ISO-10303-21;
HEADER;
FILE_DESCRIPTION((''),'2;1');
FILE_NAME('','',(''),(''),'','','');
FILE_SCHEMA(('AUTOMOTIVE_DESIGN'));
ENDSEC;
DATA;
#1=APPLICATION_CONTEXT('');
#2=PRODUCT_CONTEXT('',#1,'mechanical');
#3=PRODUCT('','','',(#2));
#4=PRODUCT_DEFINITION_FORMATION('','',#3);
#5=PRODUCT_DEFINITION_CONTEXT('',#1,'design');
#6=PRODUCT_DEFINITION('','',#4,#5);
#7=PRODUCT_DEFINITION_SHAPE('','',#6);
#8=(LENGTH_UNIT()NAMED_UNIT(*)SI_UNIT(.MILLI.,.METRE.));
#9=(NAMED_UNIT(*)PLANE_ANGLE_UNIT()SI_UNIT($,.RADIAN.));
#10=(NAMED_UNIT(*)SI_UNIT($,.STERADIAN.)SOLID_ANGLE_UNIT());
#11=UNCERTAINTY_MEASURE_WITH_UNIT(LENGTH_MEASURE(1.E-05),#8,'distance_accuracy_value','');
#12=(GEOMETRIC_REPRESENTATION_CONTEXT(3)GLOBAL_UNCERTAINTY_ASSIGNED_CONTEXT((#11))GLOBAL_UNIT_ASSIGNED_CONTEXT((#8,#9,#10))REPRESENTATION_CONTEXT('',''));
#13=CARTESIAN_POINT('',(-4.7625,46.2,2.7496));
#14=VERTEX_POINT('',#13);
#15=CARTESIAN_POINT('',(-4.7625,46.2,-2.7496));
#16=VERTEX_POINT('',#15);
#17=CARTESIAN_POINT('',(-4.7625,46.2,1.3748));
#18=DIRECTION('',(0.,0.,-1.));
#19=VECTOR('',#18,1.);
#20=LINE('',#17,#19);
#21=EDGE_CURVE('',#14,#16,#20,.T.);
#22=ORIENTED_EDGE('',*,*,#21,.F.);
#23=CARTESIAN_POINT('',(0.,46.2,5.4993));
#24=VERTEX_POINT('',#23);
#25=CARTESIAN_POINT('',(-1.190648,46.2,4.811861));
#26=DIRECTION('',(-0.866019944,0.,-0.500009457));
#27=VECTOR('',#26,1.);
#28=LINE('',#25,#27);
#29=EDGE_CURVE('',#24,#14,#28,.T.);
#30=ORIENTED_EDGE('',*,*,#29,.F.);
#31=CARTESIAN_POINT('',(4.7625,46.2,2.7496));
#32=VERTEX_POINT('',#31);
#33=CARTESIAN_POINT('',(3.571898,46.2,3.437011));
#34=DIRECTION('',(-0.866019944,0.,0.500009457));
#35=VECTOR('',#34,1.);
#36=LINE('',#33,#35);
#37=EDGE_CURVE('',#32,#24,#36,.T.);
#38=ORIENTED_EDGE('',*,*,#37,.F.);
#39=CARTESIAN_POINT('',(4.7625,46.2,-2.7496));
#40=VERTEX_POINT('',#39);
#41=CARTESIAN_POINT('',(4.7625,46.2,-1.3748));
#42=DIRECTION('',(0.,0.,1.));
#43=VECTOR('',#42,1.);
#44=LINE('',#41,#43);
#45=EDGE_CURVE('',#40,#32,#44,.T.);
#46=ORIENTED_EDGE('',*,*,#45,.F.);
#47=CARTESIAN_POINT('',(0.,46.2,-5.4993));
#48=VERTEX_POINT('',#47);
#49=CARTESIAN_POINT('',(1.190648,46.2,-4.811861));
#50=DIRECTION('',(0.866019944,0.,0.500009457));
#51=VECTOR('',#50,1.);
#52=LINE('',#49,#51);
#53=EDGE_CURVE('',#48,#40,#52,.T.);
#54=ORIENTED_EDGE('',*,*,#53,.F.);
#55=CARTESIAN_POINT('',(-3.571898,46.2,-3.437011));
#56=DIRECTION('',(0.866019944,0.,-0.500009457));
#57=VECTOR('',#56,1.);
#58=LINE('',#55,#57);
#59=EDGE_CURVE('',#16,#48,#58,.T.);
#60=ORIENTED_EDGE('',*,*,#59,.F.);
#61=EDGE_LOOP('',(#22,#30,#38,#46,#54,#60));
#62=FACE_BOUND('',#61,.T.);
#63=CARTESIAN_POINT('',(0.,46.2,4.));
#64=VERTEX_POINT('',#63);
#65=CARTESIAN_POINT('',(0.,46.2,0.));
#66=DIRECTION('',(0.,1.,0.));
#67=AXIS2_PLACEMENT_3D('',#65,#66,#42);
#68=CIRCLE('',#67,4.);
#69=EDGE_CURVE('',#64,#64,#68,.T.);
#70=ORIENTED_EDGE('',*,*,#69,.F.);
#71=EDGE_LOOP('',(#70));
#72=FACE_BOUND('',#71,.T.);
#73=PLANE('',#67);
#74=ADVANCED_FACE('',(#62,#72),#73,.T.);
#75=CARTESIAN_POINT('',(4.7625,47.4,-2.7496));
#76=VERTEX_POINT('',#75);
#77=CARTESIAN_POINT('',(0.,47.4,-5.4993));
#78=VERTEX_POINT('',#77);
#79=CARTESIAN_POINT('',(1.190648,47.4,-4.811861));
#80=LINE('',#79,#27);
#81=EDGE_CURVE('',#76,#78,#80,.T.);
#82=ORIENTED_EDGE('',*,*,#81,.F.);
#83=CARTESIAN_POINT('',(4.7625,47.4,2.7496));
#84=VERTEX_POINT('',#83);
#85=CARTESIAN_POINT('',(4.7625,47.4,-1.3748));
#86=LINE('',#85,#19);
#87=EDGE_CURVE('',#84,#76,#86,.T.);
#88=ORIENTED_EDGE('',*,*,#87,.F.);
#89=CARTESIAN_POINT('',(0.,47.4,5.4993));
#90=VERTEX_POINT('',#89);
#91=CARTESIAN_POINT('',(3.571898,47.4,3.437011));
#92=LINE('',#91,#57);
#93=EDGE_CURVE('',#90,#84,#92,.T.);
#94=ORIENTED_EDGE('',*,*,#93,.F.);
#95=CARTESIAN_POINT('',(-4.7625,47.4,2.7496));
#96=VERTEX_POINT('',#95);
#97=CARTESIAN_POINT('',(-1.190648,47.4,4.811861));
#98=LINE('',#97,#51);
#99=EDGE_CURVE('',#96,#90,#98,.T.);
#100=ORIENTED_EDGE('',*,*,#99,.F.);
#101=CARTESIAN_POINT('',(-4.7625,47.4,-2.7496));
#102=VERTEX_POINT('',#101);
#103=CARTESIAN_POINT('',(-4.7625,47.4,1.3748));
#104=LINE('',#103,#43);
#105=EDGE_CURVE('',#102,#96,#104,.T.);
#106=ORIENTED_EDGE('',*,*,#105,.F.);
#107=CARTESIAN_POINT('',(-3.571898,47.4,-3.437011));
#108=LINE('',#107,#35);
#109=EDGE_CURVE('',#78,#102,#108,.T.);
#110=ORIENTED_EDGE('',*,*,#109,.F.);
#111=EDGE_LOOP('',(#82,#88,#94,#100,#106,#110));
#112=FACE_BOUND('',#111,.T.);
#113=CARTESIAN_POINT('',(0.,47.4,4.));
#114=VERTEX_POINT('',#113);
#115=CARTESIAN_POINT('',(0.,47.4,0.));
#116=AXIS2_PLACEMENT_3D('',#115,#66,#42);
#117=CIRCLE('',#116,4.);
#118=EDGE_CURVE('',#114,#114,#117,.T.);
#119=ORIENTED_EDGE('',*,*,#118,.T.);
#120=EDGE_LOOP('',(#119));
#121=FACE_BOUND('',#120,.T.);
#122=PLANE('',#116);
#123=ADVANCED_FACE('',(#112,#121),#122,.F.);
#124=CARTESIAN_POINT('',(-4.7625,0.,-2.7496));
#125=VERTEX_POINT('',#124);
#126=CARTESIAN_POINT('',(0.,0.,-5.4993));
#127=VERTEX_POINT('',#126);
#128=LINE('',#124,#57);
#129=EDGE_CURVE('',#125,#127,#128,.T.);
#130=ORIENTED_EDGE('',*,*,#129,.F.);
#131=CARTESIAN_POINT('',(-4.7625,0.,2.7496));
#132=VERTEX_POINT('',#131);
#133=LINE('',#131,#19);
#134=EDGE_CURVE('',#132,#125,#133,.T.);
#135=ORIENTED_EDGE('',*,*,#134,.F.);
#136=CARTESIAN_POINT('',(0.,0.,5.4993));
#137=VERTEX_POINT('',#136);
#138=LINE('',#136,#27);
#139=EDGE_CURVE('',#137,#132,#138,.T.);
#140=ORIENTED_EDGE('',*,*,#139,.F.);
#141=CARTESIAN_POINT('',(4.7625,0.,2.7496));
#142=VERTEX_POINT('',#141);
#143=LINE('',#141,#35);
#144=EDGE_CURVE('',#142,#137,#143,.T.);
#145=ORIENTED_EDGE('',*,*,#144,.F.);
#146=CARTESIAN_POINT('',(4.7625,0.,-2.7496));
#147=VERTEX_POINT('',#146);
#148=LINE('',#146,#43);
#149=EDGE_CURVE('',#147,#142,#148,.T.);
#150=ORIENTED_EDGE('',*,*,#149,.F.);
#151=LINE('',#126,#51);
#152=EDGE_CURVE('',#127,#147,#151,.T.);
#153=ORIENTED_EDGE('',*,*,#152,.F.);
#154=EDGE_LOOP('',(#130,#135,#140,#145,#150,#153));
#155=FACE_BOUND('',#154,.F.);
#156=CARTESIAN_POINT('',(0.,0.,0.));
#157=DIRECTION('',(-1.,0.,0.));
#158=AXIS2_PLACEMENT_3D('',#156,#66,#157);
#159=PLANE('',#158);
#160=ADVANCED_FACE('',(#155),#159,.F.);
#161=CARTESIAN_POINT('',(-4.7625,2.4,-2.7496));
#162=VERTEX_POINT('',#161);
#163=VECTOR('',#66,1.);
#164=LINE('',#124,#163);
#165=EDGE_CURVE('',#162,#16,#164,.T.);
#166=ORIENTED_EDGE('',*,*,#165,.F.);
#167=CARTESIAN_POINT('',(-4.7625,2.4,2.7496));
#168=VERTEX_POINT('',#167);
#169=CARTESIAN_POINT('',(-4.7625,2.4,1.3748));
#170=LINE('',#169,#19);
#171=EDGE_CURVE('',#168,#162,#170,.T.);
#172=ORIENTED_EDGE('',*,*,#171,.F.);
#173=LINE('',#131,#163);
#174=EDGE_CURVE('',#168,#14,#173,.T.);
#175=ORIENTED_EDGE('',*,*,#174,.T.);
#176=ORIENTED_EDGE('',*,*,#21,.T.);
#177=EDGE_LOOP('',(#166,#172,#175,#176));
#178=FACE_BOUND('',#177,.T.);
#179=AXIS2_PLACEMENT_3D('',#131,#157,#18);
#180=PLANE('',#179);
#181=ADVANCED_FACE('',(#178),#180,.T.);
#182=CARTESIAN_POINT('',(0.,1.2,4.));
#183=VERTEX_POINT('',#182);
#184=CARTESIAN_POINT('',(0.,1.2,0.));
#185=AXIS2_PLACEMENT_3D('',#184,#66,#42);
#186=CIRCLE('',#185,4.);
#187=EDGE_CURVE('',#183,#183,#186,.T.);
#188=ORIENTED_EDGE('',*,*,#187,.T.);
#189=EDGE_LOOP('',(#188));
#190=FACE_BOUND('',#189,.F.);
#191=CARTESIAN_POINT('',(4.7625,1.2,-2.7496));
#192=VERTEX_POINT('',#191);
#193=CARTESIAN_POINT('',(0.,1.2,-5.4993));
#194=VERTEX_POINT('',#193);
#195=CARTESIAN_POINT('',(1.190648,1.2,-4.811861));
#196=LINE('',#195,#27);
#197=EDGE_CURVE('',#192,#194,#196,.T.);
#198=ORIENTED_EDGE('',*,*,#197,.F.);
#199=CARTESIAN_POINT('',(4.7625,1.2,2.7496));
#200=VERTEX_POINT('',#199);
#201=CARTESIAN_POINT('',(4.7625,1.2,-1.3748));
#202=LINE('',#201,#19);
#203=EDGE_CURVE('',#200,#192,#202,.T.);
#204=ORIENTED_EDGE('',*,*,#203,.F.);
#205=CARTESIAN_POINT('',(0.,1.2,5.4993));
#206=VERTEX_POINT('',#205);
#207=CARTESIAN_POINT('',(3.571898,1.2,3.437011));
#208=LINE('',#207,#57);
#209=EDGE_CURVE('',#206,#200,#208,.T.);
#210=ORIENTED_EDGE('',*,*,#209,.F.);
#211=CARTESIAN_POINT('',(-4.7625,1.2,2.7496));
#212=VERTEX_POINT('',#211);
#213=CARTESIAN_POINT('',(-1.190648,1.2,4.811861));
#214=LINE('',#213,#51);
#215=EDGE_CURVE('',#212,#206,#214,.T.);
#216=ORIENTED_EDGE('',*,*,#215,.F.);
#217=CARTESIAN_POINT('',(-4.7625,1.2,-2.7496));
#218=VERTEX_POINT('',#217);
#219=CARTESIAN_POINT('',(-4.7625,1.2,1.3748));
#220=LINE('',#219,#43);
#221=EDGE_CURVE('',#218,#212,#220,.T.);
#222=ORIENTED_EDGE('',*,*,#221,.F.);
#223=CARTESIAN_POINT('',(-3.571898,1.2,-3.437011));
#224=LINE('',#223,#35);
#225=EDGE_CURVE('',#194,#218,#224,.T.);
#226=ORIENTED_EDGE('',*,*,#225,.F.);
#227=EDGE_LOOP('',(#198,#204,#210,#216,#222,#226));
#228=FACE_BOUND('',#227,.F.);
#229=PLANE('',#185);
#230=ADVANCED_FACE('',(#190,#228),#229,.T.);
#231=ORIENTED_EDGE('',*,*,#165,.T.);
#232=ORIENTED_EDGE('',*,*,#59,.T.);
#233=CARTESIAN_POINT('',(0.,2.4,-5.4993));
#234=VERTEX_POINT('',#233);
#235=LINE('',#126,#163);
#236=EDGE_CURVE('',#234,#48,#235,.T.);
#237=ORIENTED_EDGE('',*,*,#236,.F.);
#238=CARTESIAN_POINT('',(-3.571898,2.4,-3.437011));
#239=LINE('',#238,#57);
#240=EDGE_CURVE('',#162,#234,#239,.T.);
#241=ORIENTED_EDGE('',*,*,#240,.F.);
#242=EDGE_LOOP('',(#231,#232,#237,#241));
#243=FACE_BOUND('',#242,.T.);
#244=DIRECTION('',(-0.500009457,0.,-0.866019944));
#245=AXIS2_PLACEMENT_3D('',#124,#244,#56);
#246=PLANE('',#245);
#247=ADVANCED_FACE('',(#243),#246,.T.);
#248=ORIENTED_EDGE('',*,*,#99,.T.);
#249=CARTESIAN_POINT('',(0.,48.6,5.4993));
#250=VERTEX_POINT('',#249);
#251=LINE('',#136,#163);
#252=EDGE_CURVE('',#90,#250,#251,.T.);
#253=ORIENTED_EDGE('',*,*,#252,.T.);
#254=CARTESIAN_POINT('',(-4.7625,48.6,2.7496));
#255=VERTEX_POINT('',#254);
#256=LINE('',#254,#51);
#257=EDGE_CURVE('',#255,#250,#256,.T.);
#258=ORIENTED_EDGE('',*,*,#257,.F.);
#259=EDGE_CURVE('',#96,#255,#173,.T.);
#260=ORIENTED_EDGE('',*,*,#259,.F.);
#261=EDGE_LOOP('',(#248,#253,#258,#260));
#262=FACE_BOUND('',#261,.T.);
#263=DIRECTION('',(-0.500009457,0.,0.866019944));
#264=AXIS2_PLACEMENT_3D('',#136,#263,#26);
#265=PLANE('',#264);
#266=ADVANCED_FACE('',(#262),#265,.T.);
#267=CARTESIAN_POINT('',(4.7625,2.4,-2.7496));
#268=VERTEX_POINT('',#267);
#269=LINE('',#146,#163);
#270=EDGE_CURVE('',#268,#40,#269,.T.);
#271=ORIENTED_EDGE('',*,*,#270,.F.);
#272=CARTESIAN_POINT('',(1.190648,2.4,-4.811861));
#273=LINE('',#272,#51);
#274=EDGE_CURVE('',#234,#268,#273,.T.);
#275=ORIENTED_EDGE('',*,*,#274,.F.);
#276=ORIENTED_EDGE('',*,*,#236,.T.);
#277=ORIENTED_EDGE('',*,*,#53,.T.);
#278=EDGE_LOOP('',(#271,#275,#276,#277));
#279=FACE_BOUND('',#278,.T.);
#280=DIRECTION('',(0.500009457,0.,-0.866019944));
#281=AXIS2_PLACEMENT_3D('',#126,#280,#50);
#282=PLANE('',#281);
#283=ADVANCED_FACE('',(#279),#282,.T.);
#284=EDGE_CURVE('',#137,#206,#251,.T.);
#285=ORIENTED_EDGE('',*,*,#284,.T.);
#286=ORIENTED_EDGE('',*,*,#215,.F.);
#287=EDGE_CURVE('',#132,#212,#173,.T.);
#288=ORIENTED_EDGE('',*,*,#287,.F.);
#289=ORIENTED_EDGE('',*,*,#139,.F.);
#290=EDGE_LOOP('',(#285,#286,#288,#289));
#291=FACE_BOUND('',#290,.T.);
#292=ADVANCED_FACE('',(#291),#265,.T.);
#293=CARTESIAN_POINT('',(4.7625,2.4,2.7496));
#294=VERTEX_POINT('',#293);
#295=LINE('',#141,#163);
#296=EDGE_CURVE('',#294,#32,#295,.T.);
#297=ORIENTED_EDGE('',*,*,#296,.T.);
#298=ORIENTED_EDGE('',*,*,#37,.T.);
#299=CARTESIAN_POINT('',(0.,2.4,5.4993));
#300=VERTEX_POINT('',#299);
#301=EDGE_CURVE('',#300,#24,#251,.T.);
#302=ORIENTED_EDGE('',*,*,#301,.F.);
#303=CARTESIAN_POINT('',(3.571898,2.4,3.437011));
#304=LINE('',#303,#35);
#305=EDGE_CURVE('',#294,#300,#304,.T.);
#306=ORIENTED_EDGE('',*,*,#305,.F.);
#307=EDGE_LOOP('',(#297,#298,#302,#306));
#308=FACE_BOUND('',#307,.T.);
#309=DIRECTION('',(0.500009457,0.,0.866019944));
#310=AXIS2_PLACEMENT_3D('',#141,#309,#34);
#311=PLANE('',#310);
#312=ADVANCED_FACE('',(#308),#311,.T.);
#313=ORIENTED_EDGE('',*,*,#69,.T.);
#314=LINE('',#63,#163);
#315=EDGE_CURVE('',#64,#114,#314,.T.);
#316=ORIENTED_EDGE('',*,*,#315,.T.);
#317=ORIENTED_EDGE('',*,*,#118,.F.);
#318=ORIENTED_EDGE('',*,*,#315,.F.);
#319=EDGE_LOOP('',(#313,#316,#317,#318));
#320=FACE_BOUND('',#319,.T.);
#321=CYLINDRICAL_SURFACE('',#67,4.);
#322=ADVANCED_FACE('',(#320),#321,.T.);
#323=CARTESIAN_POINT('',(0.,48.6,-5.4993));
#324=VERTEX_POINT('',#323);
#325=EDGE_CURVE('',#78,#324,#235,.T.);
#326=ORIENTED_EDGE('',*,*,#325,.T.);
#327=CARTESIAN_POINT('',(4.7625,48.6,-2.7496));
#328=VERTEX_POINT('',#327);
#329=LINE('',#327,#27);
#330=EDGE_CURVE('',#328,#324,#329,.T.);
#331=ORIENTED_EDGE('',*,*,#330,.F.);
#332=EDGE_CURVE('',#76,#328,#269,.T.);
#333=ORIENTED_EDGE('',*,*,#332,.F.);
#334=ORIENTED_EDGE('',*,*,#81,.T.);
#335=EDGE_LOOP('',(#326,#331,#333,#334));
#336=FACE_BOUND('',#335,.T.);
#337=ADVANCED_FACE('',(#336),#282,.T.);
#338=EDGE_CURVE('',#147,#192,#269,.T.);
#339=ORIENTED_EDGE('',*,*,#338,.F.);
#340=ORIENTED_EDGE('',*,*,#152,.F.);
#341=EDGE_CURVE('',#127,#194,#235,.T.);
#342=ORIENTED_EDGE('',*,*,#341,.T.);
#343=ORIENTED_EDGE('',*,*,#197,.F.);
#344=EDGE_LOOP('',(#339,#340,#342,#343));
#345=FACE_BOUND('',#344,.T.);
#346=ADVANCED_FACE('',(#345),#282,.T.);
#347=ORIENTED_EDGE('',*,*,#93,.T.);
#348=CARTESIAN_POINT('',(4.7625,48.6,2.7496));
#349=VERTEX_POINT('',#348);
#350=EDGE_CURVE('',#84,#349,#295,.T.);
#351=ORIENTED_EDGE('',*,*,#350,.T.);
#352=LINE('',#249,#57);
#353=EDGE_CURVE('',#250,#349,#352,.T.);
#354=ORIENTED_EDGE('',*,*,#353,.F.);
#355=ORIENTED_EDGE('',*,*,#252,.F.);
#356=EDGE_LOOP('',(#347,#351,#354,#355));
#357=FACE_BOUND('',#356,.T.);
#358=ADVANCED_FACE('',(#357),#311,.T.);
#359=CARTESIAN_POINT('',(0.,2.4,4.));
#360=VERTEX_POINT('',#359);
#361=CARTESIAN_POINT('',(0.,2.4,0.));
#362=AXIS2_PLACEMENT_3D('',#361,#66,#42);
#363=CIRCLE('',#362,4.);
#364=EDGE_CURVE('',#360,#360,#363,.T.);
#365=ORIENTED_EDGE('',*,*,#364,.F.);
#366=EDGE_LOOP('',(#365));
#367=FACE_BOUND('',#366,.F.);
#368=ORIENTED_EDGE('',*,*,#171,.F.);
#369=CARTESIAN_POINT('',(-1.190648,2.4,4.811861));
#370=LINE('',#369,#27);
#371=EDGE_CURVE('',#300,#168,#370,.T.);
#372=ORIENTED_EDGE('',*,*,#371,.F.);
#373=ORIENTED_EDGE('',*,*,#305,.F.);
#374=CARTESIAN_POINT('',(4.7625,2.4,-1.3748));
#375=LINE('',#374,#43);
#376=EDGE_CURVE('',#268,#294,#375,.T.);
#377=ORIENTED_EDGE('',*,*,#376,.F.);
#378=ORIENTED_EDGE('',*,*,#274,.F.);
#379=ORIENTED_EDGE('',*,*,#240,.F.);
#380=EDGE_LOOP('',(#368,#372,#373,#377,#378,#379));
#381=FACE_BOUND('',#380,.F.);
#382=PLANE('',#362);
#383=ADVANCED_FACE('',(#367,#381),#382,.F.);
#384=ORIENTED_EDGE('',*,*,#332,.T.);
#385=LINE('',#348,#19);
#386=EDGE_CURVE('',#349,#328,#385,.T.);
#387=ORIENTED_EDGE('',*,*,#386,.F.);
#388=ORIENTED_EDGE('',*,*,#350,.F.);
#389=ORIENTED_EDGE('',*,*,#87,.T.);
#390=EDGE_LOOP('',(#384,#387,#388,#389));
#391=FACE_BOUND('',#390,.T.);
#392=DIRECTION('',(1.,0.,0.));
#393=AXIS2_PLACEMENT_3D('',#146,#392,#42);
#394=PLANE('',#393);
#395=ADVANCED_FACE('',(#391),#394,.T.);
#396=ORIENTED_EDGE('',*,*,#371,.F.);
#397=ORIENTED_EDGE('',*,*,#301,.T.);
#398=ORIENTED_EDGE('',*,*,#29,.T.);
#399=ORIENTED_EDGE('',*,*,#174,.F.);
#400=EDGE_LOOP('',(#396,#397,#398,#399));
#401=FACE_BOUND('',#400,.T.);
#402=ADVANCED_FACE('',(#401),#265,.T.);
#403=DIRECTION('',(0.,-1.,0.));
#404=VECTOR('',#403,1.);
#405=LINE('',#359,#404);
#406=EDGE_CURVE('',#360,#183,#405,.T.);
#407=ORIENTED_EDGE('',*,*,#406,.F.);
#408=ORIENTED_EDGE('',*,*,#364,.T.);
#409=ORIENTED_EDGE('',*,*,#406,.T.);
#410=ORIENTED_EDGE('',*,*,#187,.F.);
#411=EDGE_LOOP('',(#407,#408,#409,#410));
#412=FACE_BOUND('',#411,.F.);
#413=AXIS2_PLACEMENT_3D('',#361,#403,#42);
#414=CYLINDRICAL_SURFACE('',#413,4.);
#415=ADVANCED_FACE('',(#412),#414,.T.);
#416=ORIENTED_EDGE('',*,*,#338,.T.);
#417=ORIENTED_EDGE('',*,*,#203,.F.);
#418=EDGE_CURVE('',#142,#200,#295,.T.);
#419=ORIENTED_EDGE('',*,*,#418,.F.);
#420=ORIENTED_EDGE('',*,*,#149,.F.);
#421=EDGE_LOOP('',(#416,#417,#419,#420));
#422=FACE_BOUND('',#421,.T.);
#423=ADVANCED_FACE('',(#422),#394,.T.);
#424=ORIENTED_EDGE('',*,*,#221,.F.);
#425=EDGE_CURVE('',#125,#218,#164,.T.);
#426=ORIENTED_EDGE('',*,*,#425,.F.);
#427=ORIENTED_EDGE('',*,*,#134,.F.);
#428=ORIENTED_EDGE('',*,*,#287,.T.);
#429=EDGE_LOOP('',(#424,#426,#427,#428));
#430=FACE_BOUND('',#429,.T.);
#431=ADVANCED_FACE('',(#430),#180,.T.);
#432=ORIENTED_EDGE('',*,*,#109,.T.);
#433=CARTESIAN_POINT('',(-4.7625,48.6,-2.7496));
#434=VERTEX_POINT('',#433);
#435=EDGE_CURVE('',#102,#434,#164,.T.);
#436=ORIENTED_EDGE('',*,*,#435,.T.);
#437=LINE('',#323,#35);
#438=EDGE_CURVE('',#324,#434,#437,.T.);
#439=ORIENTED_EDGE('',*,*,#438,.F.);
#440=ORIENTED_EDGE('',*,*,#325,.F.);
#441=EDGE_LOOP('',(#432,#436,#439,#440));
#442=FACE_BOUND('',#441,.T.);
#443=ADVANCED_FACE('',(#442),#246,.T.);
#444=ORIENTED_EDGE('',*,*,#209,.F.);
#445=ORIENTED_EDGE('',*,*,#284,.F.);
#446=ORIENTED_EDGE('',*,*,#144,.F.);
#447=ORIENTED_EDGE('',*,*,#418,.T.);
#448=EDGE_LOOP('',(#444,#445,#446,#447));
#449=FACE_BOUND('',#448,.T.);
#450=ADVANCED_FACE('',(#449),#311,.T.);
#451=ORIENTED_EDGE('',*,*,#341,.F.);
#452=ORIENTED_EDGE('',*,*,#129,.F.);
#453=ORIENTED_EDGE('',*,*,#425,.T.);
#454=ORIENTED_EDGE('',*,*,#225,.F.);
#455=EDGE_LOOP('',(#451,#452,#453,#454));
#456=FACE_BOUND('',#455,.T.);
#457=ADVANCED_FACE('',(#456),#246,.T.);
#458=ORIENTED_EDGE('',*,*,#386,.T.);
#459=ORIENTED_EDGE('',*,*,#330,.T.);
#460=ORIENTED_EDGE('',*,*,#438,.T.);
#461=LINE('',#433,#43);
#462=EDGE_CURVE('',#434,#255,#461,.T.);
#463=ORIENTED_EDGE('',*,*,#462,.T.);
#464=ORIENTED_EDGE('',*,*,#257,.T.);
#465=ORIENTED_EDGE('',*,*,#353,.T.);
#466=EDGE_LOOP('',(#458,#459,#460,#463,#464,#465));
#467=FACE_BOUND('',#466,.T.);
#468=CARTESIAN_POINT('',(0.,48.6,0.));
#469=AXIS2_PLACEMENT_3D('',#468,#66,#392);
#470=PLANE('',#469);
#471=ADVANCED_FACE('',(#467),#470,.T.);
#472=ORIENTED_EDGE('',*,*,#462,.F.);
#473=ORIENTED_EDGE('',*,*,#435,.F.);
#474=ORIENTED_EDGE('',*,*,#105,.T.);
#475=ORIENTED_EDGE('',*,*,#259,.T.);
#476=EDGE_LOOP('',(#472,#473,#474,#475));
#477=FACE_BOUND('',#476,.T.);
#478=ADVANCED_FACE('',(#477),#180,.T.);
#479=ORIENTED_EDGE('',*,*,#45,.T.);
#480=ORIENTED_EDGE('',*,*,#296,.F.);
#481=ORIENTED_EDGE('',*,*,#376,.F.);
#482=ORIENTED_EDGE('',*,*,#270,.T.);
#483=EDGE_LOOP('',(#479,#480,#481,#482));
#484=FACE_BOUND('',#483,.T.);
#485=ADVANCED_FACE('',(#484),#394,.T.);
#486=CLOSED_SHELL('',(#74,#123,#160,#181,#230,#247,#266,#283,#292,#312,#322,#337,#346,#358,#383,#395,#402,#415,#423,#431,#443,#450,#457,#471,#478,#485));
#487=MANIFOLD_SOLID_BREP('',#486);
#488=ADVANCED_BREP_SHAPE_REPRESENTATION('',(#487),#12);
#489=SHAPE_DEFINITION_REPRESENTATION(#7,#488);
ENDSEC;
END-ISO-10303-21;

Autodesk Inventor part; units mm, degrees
ref_plane "YZ Plane" through (0, 0, 0) normal (1, 0, 0) x (0, 1, 0)
ref_plane "XZ Plane" through (0, 0, 0) normal (0, 1, 0) x (-1, 0, 0)
ref_plane "XY Plane" through (0, 0, 0) normal (0, 0, 1) x (1, 0, 0)
sketch "Sketch1" plane through (0, 0, 0) normal (0, 1, 0) x (-1, 0, 0)
  line L0 (4.7625, 2.7496) -> (4.7625, -2.7496)
  line L1 (4.7625, -2.7496) -> (0, -5.4993)
  line L2 (0, -5.4993) -> (-4.7625, -2.7496)
  line L3 (-4.7625, -2.7496) -> (-4.7625, 2.7496)
  line L4 (-4.7625, 2.7496) -> (0, 5.4993)
  line L5 (0, 5.4993) -> (4.7625, 2.7496)
  point P0 (0, 0)
  point P1 (0, 0)
  dimension "d0" = 9.525
extrude "Extrusion1" add sketch "Sketch1" along normal blind 49.8
sketch "Sketch2" plane through (0, 0, 0) normal (1, 0, 0) x (0, 1, 0)
  line L0 (1.2, 14) -> (2.4, 14)
  line L1 (2.4, 14) -> (2.4, 4)
  line L2 (2.4, 4) -> (1.2, 4)
  line L3 (1.2, 4) -> (1.2, 14)
  line L4 (0, -2.7496) -> (0, 2.7496) projected
  line L5 (-9.48, 0) -> (56.88, 0) projected
  line L6 (47.4, 14) -> (46.2, 14)
  line L7 (46.2, 14) -> (46.2, 4)
  line L8 (46.2, 4) -> (47.4, 4)
  line L9 (47.4, 4) -> (47.4, 14)
  point P0 (0, 0)
  point P1 (0, 0)
  point P2 (1.8, 14)
  dimension "d3" = 1.2
  dimension "d4" = 1.2
  dimension "d5" = 4
  dimension "d6" = 10
  dimension "d8" = 43.8
revolve "Revolution1" cut sketch "Sketch2" angle 360 about axis through (0, -10, 0) along (0, 1, 0)
sketch "Sketch3" plane through (0, 49.8, 0) normal (0, 1, 0) x (1, 0, 0)
  line L0 (0, -5.4993) -> (4.7625, -2.7496) projected
  line L1 (4.7625, -2.7496) -> (4.7625, 2.7496) projected
  line L2 (4.7625, 2.7496) -> (0, 5.4993) projected
  line L3 (0, 5.4993) -> (-4.7625, 2.7496) projected
  line L4 (-4.7625, 2.7496) -> (-4.7625, -2.7496) projected
  line L5 (-4.7625, -2.7496) -> (0, -5.4993) projected
  point P0 (0, 0)
extrude "Extrusion2" cut sketch "Sketch3" against normal blind 1.2
properties part number "Wasp Intermediate Axel"
